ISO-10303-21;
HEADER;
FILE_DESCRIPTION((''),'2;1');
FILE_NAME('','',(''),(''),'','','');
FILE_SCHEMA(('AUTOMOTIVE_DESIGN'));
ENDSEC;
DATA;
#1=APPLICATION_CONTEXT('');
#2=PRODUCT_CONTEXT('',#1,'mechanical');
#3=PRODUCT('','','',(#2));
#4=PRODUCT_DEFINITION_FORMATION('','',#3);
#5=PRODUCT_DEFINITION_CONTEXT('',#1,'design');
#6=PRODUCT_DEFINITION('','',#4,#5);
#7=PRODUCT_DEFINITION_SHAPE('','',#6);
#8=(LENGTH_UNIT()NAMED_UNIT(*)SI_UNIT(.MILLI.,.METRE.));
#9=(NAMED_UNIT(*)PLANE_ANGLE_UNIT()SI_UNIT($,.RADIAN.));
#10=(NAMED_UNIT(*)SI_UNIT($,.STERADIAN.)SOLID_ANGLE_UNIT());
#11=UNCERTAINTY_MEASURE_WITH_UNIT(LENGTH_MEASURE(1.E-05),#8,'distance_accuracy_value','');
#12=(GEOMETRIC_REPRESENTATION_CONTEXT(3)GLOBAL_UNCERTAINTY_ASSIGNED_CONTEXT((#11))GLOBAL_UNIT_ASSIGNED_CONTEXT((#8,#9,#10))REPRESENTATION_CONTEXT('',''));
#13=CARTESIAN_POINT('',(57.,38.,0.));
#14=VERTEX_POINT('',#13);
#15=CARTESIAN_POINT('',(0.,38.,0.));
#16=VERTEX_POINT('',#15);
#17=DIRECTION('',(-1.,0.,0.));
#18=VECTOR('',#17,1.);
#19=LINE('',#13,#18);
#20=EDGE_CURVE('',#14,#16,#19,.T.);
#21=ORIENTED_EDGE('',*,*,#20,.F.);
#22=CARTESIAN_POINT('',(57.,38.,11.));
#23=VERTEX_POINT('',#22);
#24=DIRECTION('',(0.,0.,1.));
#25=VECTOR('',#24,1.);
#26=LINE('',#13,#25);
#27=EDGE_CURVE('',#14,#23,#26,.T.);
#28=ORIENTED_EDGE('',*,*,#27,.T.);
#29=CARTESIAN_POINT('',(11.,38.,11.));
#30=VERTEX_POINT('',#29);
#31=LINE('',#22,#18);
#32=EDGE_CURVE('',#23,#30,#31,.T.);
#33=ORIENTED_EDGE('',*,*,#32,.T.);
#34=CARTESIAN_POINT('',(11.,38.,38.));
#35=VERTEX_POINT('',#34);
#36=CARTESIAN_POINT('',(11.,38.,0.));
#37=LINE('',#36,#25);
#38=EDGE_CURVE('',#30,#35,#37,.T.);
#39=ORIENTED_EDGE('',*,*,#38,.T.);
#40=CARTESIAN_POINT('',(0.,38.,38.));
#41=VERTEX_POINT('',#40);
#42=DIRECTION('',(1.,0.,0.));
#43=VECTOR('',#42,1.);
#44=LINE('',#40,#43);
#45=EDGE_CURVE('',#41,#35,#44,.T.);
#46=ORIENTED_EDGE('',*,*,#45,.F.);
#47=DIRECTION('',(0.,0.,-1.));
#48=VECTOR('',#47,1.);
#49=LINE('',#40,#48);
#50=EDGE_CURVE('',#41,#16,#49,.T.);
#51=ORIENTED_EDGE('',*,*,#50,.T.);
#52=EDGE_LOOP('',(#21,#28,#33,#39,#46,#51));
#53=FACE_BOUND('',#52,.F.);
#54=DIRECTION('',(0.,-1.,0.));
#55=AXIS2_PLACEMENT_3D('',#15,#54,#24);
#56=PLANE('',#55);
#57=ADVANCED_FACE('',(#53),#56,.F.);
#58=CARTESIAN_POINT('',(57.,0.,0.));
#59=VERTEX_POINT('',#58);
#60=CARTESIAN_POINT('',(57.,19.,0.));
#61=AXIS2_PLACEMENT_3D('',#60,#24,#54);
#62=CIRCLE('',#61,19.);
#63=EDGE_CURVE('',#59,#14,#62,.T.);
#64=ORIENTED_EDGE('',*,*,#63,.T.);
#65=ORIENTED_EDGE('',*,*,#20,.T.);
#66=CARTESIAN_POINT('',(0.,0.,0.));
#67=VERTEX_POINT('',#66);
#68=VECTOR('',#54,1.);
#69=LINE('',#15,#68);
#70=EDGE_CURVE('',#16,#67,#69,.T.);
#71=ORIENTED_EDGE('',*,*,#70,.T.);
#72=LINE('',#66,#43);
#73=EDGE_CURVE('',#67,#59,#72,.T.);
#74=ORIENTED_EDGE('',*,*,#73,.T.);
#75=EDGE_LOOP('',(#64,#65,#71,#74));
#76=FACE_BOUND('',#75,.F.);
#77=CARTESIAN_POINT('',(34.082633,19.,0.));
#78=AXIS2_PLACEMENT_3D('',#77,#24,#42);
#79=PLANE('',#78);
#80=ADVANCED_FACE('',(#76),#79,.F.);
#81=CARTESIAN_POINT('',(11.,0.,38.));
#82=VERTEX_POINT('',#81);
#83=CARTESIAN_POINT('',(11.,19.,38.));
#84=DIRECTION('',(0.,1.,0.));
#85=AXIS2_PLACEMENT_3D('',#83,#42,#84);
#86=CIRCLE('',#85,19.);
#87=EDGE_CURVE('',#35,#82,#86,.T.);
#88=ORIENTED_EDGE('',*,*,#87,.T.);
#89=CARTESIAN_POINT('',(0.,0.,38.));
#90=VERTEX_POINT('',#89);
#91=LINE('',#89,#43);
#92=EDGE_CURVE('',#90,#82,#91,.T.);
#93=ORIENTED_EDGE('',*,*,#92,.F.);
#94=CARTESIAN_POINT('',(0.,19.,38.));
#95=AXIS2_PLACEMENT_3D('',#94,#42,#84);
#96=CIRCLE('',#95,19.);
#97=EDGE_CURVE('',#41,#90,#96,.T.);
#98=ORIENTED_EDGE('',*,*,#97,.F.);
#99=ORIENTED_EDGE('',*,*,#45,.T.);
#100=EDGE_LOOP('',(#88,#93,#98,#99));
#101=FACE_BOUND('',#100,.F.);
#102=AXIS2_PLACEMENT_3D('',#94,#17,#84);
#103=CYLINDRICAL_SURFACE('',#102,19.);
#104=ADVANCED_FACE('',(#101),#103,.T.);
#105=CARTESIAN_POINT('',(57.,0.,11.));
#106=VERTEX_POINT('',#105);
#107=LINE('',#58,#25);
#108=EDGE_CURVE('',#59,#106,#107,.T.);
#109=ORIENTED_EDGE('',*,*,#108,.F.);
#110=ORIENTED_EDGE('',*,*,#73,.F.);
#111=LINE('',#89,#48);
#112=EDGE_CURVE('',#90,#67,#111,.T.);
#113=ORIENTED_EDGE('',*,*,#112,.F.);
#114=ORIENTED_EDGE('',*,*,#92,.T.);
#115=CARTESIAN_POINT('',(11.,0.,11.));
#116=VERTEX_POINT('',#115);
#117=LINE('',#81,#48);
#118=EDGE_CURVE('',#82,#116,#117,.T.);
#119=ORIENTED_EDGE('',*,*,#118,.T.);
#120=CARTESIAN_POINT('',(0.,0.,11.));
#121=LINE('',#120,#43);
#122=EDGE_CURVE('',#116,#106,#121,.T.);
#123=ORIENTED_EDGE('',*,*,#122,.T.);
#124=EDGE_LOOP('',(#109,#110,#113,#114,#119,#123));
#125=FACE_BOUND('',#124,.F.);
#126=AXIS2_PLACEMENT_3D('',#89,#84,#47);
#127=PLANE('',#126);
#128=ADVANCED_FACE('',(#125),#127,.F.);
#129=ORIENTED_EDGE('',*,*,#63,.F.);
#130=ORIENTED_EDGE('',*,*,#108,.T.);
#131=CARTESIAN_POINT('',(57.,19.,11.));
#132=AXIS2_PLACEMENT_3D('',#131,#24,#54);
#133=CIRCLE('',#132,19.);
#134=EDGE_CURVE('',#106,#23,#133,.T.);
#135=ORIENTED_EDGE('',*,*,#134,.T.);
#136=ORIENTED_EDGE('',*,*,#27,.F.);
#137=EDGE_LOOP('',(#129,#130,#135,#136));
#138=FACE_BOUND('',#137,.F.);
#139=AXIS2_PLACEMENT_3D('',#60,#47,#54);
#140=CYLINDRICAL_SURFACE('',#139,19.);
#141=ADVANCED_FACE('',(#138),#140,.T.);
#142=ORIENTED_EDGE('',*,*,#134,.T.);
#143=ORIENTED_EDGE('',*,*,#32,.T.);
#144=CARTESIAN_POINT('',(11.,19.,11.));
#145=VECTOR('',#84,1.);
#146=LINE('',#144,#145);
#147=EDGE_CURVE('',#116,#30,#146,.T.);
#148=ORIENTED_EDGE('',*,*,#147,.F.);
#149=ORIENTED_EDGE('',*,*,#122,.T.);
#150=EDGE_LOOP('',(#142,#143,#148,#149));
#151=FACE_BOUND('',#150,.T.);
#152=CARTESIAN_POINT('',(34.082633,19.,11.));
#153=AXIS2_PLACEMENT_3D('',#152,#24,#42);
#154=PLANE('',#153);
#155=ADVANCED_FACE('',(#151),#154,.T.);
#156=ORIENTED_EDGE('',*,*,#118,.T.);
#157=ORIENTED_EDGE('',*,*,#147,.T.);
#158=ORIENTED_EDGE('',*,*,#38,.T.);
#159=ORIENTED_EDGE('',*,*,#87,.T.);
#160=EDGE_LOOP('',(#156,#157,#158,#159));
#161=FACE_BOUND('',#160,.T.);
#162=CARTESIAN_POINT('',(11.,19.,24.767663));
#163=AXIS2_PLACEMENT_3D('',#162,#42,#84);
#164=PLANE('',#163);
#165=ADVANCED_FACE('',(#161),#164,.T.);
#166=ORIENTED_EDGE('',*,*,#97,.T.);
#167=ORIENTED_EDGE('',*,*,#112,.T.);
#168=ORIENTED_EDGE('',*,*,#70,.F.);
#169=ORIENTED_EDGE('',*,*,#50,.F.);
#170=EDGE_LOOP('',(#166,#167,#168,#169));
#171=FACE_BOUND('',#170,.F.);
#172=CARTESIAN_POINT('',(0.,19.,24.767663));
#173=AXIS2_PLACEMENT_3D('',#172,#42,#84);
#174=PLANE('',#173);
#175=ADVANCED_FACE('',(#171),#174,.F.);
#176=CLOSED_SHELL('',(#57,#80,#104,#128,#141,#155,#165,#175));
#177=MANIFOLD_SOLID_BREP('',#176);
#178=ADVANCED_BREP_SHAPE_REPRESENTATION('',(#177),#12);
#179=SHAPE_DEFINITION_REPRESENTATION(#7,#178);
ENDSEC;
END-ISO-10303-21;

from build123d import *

# Parameters (mm, degrees)
F1_DEPTH = 11
F3_DEPTH = 11


with BuildPart() as f1:
    # F0 (on Top) → F1 (new body)
    with BuildSketch(Plane.XY):
        with BuildLine():
            Line((0, 38), (0, 0))
            Line((0, 0), (57, 0))
            ThreePointArc((57, 0), (76, 19), (57, 38))
            Line((57, 38), (0, 38))
        make_face()
    extrude(amount=F1_DEPTH)

    # F2 (on Right) → F3 (join)
    with BuildSketch(Plane.YZ):
        with BuildLine():
            Line((0, 38), (0, 0))
            Line((0, 0), (38, 0))
            Line((38, 0), (38, 38))
            ThreePointArc((38, 38), (19, 57), (0, 38))
        make_face()
    extrude(amount=F3_DEPTH)


solid = f1.part
